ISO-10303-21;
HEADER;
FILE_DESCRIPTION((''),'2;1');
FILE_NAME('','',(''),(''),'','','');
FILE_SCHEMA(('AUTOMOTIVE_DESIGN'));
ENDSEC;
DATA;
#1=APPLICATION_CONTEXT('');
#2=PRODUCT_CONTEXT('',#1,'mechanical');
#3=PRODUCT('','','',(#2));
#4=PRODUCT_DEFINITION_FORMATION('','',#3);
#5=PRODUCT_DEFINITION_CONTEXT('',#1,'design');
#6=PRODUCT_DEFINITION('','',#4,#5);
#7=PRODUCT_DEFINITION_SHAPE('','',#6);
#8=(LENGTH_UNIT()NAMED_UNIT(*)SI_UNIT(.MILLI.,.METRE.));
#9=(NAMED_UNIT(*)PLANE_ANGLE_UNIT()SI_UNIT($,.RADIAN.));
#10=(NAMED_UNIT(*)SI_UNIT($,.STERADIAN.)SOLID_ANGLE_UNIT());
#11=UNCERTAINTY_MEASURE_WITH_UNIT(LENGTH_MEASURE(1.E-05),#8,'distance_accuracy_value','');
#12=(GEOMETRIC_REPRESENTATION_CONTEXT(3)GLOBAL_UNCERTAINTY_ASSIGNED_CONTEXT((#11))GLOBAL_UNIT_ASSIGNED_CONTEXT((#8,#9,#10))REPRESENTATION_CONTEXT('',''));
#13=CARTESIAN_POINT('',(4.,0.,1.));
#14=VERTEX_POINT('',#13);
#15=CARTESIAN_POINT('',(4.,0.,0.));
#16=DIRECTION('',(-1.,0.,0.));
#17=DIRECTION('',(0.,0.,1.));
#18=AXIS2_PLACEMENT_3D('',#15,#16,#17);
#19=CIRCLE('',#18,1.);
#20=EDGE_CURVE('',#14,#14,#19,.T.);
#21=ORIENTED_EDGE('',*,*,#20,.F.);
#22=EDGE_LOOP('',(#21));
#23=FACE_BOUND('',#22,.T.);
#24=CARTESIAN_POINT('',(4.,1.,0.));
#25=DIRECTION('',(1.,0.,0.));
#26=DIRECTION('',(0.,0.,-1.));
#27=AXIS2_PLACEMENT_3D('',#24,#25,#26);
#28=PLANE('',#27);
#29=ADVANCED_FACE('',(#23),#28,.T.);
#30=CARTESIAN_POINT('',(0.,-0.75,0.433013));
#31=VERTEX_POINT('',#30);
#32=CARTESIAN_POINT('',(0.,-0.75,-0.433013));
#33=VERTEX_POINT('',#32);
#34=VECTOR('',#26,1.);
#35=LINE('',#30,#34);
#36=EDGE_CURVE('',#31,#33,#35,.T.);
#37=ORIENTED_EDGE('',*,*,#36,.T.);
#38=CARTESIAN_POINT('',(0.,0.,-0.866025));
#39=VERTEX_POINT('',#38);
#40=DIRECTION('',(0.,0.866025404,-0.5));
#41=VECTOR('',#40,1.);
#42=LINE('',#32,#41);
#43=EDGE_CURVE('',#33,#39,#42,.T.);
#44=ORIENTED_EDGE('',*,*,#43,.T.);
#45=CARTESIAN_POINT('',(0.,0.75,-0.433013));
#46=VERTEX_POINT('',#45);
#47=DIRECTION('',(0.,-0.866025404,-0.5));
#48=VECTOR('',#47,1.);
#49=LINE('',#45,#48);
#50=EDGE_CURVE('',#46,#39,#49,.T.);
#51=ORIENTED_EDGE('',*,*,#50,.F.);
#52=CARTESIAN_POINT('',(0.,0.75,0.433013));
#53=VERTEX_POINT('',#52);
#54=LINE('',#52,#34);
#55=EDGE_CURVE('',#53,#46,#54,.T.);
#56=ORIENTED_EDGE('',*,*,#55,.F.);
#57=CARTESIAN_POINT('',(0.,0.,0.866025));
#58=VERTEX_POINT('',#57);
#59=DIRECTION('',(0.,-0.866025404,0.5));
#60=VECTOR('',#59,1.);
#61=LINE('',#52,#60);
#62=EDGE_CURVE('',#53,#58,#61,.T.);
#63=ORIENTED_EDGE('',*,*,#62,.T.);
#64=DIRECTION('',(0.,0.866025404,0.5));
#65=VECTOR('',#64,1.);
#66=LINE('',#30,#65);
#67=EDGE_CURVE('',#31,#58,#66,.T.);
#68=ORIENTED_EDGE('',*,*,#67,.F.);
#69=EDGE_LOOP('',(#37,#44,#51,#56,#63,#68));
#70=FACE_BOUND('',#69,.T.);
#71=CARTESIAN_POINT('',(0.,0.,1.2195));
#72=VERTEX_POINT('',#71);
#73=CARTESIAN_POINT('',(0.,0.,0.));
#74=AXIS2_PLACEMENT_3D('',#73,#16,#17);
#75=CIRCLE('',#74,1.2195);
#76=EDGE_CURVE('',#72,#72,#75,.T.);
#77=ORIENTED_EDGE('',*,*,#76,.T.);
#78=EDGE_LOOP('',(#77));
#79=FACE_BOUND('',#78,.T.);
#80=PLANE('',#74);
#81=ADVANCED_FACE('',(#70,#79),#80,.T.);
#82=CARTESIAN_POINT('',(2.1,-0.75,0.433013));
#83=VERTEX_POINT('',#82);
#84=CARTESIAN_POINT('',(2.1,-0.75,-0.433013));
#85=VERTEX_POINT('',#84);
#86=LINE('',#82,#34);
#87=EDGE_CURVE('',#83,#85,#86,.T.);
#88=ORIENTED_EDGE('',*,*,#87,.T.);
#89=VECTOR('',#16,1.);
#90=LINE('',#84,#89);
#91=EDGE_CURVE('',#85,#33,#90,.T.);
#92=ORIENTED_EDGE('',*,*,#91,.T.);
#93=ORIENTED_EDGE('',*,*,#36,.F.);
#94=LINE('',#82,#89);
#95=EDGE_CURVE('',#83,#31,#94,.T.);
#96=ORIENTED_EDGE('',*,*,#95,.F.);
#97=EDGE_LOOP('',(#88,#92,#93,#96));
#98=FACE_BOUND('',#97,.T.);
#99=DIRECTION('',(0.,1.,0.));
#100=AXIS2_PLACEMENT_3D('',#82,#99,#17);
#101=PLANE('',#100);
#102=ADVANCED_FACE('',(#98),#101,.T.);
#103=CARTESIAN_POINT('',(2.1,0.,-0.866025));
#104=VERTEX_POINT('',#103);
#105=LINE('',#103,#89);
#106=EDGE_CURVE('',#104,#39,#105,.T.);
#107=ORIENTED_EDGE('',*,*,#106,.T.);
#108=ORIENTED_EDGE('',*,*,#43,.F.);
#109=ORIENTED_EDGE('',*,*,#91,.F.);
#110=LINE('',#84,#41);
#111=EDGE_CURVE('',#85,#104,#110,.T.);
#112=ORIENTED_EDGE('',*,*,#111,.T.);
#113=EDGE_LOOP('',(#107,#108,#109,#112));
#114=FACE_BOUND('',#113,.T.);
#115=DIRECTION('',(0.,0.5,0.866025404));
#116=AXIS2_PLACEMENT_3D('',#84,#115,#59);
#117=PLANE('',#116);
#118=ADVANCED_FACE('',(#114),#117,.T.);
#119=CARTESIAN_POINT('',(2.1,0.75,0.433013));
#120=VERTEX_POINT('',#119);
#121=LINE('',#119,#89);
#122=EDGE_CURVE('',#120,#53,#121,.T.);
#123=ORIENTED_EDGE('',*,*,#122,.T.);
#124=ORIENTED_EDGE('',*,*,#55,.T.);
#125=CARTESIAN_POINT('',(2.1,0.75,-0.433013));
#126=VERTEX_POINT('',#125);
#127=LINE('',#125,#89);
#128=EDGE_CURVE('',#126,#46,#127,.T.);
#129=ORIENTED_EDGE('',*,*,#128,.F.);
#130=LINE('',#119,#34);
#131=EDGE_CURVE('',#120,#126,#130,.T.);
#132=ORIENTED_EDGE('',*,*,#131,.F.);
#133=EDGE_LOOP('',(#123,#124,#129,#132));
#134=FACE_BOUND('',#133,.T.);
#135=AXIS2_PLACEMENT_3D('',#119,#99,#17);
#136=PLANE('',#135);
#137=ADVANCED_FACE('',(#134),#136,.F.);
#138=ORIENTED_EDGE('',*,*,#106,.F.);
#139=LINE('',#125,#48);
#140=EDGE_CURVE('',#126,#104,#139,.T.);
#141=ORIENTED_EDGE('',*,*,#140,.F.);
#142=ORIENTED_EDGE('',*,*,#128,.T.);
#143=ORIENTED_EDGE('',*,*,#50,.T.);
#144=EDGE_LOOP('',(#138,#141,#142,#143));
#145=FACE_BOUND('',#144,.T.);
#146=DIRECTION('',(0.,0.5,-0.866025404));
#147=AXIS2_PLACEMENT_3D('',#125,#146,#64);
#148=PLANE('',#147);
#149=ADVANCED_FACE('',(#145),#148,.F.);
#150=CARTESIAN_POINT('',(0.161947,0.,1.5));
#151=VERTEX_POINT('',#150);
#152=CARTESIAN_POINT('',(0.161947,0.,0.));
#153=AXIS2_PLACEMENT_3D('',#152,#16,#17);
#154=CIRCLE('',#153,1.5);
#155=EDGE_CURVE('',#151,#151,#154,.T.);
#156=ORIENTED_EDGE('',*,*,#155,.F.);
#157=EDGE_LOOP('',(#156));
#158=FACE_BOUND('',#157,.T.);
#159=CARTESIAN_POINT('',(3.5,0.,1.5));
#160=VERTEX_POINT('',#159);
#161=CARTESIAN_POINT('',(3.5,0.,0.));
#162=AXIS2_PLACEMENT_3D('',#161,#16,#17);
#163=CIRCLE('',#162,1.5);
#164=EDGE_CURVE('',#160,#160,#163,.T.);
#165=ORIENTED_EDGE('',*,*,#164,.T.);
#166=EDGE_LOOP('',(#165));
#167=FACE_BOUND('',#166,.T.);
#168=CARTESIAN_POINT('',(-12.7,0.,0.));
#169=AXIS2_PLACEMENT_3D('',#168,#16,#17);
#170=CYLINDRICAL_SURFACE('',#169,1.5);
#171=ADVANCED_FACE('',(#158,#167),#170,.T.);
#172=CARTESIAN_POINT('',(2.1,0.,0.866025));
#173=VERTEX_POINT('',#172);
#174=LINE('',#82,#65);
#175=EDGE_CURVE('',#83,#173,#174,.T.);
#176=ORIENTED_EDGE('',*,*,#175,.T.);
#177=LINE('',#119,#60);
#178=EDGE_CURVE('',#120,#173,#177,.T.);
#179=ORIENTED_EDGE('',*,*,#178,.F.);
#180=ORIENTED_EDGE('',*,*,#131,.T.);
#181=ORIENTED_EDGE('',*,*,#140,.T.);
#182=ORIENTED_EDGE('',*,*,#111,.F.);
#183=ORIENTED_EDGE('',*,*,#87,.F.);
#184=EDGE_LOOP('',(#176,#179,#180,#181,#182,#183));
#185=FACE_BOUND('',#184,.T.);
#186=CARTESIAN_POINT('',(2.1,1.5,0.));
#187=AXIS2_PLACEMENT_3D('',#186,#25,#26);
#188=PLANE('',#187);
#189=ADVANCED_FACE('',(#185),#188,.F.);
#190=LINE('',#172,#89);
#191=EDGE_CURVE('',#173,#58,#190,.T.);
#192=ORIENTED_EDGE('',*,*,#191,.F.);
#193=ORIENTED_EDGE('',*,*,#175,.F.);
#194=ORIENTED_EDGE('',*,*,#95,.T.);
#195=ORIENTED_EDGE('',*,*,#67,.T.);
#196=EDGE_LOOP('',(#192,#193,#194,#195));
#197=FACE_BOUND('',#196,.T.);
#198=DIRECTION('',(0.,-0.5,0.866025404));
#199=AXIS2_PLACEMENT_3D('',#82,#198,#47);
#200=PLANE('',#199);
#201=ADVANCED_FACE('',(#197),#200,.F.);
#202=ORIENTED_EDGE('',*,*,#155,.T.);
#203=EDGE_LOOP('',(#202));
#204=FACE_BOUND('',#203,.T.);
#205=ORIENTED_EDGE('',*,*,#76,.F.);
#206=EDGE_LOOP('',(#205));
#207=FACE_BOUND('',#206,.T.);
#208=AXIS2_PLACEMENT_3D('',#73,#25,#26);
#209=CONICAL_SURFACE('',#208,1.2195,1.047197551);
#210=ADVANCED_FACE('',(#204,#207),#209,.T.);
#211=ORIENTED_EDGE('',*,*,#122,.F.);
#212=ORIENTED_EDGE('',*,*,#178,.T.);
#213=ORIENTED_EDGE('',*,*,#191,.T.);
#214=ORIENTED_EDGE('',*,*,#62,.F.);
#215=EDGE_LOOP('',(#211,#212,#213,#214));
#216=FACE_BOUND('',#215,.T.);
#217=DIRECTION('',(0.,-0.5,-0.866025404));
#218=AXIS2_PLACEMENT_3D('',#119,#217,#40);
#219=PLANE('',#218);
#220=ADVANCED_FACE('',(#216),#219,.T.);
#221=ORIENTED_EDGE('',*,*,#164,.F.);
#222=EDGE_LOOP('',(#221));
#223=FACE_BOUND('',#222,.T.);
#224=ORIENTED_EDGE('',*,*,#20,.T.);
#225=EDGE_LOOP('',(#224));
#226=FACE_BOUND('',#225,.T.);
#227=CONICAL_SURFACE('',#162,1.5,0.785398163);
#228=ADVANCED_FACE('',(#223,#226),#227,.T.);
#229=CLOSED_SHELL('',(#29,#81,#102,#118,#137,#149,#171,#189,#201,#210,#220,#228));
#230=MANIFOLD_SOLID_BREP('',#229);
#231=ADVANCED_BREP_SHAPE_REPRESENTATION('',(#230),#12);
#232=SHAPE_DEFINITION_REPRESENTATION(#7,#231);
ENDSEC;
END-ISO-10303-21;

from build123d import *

# Parameters (mm, degrees)
HEX_2_DEPTH = 2.1


with BuildPart() as part:
    # BodySke → BaseBody (revolve)
    with BuildSketch(Plane.XY, mode=Mode.PRIVATE) as basebody_sk:
        Polygon((0, 0), (0, 1.2195), (0.161946751, 1.5), (3.5, 1.5), (4, 1), (4, 0), align=None)
    revolve(basebody_sk.sketch.rotate(Axis((-12.7, 0, 0), (1, 0, 0)), 90), axis=Axis((-12.7, 0, 0), (1, 0, 0)))

    # Sketch2 → Hex 2 (cut)
    with BuildSketch(Plane.ZY):
        Polygon((0.433012702, 0.75), (-0.433012702, 0.75), (-0.866025404, 0), (-0.433012702, -0.75), (0.433012702, -0.75), (0.866025404, 0), align=None)
    extrude(amount=-HEX_2_DEPTH, mode=Mode.SUBTRACT)


solid = part.part
